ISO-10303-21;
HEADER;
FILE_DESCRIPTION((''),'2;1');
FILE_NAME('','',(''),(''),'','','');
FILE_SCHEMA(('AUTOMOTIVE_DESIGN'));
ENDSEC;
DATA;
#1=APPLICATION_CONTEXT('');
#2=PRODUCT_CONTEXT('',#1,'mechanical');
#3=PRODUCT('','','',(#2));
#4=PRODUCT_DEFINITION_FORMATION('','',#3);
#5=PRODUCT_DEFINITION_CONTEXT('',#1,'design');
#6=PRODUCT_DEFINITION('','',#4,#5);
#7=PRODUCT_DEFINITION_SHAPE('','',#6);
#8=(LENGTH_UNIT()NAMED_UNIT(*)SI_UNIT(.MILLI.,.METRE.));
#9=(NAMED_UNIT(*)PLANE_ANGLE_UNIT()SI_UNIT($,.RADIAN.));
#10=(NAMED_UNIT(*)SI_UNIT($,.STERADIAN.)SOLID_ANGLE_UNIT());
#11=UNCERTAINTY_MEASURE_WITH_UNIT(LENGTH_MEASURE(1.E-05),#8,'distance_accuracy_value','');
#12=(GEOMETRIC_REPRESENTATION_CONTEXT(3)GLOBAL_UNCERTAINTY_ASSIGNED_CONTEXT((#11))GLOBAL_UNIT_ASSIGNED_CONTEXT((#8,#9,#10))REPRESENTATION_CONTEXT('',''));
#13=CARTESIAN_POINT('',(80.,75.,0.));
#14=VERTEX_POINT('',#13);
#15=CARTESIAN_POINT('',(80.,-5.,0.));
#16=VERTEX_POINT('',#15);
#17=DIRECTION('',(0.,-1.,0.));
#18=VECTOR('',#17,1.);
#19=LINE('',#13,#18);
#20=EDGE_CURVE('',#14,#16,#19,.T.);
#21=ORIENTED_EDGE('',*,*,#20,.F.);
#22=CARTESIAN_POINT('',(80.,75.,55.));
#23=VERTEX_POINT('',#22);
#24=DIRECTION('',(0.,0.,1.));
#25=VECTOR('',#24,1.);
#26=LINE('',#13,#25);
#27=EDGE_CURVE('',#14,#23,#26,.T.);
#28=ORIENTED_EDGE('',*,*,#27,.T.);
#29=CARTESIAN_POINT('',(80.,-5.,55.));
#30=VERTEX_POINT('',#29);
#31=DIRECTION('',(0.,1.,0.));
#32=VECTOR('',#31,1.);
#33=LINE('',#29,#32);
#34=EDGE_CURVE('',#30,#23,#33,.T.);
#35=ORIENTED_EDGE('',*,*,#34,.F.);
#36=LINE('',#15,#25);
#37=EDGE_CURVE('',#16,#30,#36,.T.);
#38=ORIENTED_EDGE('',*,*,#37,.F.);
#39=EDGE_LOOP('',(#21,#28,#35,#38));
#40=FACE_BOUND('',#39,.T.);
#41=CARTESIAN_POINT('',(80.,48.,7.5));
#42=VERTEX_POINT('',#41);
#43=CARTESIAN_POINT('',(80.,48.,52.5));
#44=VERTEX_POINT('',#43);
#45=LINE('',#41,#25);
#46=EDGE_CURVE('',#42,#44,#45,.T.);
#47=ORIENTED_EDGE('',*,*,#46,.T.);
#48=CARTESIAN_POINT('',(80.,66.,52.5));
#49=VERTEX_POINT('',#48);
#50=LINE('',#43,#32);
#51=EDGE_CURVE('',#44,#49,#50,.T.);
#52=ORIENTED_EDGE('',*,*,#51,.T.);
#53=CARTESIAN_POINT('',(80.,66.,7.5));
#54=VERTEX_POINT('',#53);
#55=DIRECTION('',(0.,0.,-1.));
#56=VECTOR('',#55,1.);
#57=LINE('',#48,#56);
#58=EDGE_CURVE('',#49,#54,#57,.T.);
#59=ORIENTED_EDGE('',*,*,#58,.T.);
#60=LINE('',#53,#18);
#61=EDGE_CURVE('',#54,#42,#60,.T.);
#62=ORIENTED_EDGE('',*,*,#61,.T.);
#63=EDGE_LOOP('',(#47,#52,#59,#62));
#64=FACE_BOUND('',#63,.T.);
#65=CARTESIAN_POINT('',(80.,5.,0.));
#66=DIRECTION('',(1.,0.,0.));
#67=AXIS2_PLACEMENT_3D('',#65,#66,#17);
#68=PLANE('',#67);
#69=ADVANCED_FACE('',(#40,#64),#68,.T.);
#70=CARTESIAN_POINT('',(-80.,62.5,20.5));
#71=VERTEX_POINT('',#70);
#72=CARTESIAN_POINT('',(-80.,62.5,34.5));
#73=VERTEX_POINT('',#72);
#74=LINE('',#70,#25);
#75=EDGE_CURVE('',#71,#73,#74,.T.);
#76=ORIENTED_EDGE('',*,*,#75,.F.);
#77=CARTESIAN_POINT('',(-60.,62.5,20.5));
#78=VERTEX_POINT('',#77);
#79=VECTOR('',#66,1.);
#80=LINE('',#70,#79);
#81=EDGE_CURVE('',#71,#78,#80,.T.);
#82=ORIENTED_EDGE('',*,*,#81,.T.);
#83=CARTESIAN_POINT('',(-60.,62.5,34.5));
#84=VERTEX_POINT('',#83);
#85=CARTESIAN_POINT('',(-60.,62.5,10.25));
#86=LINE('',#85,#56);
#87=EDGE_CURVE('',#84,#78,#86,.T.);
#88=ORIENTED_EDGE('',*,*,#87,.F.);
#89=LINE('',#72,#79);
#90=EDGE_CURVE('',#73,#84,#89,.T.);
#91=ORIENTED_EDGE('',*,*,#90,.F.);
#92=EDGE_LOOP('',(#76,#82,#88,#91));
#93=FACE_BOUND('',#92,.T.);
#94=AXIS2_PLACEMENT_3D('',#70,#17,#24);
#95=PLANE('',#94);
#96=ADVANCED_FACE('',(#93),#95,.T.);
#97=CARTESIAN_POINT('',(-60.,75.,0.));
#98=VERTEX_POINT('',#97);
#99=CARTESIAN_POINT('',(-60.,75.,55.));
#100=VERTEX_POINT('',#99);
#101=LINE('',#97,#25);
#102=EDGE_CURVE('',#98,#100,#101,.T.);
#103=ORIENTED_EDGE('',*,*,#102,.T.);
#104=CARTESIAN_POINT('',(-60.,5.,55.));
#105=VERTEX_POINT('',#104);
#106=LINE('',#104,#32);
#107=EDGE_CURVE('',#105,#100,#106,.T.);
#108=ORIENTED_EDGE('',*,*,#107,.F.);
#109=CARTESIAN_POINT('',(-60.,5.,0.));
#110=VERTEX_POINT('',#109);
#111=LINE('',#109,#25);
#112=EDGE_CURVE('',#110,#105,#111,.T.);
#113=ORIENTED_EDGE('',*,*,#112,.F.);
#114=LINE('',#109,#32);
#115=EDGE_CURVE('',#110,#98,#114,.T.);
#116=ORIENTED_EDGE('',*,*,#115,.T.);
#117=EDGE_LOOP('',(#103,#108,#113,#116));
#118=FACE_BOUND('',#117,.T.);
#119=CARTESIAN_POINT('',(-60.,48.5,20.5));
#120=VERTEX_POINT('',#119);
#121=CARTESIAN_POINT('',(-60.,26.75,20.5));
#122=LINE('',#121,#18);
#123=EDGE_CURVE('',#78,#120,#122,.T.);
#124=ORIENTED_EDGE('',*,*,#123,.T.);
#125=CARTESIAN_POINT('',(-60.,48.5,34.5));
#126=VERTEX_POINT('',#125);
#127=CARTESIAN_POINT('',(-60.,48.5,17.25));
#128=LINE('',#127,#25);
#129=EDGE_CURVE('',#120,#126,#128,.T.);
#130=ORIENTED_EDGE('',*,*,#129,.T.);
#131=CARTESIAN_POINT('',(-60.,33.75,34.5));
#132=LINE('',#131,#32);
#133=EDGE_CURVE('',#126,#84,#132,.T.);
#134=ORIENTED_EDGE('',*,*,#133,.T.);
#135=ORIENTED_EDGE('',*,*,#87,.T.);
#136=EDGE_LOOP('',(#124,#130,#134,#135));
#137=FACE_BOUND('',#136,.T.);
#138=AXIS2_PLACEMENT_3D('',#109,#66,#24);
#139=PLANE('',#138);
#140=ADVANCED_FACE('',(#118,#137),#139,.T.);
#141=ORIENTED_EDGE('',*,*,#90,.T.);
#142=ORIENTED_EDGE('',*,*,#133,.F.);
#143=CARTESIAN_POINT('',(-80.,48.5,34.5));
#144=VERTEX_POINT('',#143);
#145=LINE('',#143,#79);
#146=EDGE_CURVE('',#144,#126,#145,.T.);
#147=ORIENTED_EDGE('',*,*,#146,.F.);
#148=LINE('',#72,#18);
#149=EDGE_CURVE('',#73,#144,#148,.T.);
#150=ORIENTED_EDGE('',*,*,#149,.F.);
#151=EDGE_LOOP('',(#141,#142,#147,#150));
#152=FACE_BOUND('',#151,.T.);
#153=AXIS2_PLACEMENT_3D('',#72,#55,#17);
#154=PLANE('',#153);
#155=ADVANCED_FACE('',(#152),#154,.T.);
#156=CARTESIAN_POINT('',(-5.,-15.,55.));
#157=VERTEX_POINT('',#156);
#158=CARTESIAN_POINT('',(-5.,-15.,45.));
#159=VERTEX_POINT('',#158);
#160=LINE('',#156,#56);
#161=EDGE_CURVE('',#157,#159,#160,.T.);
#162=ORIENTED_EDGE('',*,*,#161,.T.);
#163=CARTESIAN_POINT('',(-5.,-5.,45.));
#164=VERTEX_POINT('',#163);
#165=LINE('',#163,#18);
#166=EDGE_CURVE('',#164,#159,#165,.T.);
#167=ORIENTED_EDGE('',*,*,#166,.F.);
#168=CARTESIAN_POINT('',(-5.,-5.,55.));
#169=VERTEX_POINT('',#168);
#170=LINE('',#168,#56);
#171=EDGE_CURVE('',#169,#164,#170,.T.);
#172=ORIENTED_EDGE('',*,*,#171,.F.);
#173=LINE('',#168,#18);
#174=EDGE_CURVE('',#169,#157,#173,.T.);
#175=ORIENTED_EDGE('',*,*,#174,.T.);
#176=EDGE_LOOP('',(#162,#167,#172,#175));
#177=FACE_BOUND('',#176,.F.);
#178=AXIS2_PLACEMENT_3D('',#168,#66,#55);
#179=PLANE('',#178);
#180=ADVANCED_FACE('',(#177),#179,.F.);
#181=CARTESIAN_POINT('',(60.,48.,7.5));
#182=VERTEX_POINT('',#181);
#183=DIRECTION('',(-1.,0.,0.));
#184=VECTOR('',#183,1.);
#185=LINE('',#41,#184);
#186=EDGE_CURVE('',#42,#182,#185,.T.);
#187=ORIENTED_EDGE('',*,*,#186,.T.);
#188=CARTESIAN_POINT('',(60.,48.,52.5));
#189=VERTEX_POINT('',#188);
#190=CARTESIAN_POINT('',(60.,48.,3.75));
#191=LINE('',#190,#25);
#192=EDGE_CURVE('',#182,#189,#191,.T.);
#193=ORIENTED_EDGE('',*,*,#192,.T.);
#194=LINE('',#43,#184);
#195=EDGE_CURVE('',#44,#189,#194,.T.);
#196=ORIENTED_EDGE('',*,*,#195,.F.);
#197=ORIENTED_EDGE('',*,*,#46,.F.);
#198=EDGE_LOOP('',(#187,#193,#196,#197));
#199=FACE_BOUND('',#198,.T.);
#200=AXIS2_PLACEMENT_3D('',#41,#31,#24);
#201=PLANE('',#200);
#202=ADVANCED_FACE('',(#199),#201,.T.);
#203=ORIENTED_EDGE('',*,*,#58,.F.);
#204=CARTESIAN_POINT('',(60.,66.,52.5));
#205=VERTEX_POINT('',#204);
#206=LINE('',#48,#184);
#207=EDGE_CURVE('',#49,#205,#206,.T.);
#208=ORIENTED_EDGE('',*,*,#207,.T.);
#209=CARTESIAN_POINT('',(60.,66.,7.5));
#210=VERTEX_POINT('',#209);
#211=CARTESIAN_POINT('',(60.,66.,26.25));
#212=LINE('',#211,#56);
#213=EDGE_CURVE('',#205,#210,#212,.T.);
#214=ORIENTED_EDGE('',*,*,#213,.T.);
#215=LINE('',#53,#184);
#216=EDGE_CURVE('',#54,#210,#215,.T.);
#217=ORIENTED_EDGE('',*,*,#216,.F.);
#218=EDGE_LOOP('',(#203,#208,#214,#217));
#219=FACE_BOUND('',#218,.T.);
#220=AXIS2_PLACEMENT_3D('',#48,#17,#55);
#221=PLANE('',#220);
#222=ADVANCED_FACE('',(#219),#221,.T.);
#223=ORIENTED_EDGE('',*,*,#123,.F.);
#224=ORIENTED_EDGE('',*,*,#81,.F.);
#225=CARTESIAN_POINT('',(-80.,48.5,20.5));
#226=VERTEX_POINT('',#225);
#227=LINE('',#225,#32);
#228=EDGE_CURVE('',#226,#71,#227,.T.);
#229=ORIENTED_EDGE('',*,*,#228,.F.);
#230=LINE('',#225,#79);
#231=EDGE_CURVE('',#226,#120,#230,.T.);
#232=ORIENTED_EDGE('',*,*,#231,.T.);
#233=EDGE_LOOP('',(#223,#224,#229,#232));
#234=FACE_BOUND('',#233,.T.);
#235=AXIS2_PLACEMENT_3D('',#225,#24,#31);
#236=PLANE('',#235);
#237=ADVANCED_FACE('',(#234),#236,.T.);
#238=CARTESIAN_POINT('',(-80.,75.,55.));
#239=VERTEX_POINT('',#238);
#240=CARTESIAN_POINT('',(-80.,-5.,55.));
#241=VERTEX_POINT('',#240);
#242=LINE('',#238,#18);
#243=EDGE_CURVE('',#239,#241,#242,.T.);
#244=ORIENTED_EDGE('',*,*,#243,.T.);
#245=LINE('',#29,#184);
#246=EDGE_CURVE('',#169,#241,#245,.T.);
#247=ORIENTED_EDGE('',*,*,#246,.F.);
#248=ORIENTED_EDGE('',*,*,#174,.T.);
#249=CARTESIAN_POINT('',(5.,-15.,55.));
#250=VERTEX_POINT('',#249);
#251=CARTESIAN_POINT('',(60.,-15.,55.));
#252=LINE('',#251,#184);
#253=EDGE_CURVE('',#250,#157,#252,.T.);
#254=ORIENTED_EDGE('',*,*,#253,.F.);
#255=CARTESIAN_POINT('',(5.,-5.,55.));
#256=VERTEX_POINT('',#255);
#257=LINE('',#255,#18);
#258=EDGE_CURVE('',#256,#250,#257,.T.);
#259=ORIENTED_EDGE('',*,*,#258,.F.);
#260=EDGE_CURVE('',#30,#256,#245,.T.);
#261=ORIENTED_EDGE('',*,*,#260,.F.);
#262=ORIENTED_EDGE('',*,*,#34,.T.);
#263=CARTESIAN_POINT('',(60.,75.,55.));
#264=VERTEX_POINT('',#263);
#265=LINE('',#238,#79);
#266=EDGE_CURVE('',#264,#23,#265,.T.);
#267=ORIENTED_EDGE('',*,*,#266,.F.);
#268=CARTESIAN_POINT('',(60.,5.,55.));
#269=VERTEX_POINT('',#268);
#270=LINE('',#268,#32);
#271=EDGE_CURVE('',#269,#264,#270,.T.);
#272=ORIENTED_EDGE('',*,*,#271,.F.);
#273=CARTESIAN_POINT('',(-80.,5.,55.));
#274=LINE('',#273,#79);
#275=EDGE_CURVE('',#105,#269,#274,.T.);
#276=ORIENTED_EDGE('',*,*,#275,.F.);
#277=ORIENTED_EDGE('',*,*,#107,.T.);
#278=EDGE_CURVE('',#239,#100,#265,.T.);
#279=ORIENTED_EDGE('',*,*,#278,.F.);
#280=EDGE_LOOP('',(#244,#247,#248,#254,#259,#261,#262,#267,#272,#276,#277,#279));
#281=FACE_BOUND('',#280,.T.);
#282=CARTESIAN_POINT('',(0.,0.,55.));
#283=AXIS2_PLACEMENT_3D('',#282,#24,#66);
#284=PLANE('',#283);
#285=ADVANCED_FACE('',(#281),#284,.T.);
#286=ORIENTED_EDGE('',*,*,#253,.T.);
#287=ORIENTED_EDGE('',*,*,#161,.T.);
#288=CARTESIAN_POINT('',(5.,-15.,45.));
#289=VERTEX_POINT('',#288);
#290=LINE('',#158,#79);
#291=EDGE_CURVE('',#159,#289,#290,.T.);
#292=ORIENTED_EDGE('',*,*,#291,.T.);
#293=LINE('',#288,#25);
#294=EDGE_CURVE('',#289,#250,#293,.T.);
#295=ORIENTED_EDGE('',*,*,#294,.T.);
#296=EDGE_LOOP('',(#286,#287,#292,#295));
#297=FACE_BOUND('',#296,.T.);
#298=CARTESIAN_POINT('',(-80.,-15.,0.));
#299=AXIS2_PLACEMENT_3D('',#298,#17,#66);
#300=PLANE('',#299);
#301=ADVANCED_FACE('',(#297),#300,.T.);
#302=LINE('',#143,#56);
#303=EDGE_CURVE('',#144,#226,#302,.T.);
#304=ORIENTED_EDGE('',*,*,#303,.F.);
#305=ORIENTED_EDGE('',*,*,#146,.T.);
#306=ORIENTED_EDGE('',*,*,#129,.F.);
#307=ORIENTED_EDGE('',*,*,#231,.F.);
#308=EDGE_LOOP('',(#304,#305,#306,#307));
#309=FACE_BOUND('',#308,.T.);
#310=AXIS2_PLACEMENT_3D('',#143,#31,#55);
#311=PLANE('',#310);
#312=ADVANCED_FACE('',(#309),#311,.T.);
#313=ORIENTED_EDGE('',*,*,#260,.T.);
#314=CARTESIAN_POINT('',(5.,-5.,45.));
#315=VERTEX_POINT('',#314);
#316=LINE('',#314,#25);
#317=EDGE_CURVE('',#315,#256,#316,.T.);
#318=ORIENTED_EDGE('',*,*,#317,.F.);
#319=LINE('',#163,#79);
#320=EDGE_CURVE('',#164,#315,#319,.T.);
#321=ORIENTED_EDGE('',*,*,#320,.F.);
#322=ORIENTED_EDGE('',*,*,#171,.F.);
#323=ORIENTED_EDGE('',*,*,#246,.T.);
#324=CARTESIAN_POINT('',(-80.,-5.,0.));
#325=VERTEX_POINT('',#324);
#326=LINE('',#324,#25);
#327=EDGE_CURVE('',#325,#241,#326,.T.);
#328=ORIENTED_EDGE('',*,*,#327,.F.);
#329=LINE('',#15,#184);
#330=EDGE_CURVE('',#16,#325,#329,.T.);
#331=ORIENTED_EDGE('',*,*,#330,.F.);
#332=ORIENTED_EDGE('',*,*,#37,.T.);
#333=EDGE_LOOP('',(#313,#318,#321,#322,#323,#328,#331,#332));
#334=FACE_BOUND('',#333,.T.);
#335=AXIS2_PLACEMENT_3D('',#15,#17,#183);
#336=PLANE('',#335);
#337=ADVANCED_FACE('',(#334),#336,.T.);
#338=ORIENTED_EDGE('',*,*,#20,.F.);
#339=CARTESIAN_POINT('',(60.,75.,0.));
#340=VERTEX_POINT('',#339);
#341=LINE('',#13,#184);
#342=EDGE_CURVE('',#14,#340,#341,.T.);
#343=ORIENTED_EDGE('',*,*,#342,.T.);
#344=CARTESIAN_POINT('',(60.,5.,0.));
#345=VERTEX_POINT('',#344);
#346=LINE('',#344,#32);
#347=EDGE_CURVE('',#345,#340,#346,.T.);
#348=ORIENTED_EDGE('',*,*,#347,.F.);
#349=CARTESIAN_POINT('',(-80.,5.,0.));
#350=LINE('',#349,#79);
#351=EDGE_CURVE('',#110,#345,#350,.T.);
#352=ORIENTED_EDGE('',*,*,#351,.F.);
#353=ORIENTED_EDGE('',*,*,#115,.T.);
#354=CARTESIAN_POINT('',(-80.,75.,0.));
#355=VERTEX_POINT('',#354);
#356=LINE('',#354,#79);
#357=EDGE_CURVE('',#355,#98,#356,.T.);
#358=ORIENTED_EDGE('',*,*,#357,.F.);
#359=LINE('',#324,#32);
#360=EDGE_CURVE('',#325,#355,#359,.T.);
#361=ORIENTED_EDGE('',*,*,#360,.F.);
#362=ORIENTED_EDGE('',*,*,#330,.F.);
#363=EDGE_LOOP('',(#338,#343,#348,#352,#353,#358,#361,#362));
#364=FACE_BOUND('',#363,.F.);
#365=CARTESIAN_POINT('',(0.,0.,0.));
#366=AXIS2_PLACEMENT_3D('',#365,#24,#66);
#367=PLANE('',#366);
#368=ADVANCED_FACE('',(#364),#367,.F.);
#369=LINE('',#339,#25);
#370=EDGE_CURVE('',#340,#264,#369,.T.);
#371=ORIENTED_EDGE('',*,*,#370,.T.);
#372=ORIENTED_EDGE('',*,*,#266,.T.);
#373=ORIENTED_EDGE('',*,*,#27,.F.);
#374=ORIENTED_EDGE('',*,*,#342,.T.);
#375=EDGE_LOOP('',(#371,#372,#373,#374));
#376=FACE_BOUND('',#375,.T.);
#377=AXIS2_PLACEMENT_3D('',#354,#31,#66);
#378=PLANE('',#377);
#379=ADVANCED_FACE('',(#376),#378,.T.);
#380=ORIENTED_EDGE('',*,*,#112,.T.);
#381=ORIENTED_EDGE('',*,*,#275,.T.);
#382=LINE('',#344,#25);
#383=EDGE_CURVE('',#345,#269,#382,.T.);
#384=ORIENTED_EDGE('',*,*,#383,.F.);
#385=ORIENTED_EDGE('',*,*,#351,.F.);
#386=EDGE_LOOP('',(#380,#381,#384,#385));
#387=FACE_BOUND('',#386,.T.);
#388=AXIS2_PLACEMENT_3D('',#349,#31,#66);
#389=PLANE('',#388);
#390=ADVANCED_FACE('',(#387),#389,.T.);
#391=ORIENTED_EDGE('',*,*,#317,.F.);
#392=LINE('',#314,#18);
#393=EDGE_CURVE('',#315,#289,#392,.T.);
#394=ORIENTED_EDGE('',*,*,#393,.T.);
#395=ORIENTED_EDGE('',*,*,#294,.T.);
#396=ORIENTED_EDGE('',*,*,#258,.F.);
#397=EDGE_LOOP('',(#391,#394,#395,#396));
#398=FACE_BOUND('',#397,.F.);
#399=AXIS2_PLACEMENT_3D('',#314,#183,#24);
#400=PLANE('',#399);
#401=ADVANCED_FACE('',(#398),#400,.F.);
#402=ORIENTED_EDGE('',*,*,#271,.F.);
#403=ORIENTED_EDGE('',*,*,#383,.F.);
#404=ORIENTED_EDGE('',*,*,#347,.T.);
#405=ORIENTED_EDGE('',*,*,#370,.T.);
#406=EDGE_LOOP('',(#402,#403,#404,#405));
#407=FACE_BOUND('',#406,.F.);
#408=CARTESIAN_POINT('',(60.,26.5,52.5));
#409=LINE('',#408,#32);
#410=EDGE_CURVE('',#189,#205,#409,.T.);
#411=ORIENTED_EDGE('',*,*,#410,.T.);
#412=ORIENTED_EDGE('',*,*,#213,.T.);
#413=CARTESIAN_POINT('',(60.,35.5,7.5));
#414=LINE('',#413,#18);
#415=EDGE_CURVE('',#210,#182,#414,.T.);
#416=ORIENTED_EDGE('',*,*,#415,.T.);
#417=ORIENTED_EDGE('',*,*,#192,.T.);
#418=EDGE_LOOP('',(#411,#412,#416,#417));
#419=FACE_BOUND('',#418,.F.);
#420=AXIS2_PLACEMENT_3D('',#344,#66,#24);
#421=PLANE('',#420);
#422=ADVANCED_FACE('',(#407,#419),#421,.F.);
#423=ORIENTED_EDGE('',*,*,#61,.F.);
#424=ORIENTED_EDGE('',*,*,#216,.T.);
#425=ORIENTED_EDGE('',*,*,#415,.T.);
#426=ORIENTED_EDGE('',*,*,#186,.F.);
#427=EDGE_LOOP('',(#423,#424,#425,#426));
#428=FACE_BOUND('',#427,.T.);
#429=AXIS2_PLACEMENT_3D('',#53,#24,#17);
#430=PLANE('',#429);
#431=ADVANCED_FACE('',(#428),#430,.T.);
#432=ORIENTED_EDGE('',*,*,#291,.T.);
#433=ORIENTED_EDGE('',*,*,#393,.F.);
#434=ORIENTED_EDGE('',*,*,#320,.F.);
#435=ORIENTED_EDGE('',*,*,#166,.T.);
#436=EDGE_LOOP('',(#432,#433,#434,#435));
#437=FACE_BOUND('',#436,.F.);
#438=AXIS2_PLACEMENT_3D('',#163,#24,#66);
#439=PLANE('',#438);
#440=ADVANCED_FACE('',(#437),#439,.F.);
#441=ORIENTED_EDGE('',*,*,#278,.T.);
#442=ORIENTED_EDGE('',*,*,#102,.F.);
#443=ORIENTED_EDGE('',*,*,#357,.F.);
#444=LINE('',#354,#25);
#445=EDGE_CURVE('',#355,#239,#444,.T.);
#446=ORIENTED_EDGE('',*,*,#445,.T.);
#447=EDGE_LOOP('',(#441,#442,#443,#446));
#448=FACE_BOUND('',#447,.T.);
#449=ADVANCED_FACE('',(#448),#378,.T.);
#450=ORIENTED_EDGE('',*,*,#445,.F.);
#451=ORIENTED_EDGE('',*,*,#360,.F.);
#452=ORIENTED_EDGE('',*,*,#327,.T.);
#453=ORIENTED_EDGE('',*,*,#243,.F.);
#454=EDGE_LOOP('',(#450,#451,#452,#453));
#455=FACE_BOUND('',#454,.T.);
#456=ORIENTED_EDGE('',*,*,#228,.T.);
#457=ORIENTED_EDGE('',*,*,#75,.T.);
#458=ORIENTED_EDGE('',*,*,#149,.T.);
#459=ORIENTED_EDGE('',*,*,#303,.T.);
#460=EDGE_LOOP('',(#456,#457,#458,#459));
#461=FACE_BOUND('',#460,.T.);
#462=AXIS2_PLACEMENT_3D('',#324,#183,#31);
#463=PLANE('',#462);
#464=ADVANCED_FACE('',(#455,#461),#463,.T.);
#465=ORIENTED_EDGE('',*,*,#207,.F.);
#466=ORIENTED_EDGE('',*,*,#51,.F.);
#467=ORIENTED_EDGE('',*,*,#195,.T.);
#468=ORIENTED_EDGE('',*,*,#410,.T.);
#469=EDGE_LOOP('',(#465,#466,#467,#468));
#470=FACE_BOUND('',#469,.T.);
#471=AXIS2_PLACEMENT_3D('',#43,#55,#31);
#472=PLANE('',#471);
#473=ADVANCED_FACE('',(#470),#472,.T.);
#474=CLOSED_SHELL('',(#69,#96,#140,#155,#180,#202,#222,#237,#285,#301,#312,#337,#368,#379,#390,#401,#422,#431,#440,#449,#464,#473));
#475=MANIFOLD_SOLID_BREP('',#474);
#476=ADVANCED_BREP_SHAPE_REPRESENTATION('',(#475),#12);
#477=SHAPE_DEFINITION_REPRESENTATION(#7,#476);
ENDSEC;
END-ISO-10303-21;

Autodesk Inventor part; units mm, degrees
ref_plane "YZ Plane" through (0, 0, 0) normal (1, 0, 0) x (0, 1, 0)
ref_plane "XZ Plane" through (0, 0, 0) normal (0, 1, 0) x (-1, 0, 0)
ref_plane "XY Plane" through (0, 0, 0) normal (0, 0, 1) x (1, 0, 0)
sketch "Boceto1" plane through (0, 0, 0) normal (0, 0, 1) x (1, 0, 0)
  line L0 (-80, 5) -> (80, 5)
  line L1 (80, 5) -> (80, -5)
  line L2 (80, -5) -> (-80, -5)
  line L3 (-80, -5) -> (-80, 5)
  line L4 (-80, 5) -> (80, -5) construction
  line L5 (80, 5) -> (-80, -5) construction
  point P0 (0, 0)
  dimension "d0" = 160
  dimension "d1" = 10
extrude "Extrusión1" add sketch "Boceto1" along normal blind 55
sketch "Boceto2" plane through (-80, 5, 0) normal (0, 1, 0) x (1, 0, 0)
  line L0 (0, 0) -> (0, -55) projected
  line L1 (0, -55) -> (160, -55) projected
  line L2 (0, 0) -> (20, 0)
  line L3 (20, 0) -> (20, -55)
  line L4 (20, -55) -> (0, -55)
  line L5 (0, -55) -> (0, 0)
  line L6 (160, 0) -> (160, -55) projected
  line L7 (160, 0) -> (140, 0)
  line L8 (140, 0) -> (140, -55)
  line L9 (140, -55) -> (160, -55)
  line L10 (160, -55) -> (160, 0)
  point P0 (80, 0)
  dimension "d4" = 20
  dimension "d5" = 20
extrude "Extrusión2" add sketch "Boceto2" along normal blind 70
sketch "Boceto3" plane through (-80, -5, 0) normal (-1, 0, 0) x (0, 0, 1)
  line L0 (0, 80) -> (55, 80) projected
  line L1 (20.5, 67.5) -> (34.5, 67.5)
  line L2 (34.5, 67.5) -> (34.5, 53.5)
  line L3 (34.5, 53.5) -> (20.5, 53.5)
  line L4 (20.5, 53.5) -> (20.5, 67.5)
  line L5 (20.5, 67.5) -> (34.5, 53.5) construction
  line L6 (34.5, 67.5) -> (20.5, 53.5) construction
  line L7 (0, 0) -> (0, 80) projected
  point P0 (0, 5)
  point P1 (27.5, 60.5)
  dimension "d10" = 14
  dimension "d11" = 14
  dimension "d12" = 20.5
  dimension "d13" = 12.5
extrude "Extrusión3" cut sketch "Boceto3" against normal blind 70
sketch "Boceto4" plane through (-80, -5, 0) normal (0, -1, 0) x (1, 0, 0)
  line L0 (140, 55) -> (20, 55) projected
  line L1 (75, 45) -> (85, 45)
  line L2 (85, 45) -> (85, 55)
  line L3 (85, 55) -> (75, 55)
  line L4 (75, 55) -> (75, 45)
  line L5 (75, 45) -> (85, 55) construction
  line L6 (85, 45) -> (75, 55) construction
  point P0 (80, 0)
  dimension "d17" = 10
extrude "Extrusión4" add sketch "Boceto4" along normal blind 10
sketch "Boceto5" plane through (80, -5, 55) normal (1, 0, 0) x (0, 0, -1)
  line L0 (2.5, 71) -> (47.5, 71)
  line L1 (47.5, 71) -> (47.5, 53)
  line L2 (47.5, 53) -> (2.5, 53)
  line L3 (2.5, 53) -> (2.5, 71)
  line L4 (2.5, 71) -> (47.5, 53) construction
  line L5 (47.5, 71) -> (2.5, 53) construction
  line L6 (0, 80) -> (55, 80) projected
  line L7 (55, 0) -> (55, 80) projected
  point P0 (55, 5)
  point P1 (25, 62)
  dimension "d20" = 45
  dimension "d21" = 18
  dimension "d22" = 9
  dimension "d23" = 7.5
extrude "Extrusión5" cut sketch "Boceto5" against normal blind 30
properties part number "camera_support"
